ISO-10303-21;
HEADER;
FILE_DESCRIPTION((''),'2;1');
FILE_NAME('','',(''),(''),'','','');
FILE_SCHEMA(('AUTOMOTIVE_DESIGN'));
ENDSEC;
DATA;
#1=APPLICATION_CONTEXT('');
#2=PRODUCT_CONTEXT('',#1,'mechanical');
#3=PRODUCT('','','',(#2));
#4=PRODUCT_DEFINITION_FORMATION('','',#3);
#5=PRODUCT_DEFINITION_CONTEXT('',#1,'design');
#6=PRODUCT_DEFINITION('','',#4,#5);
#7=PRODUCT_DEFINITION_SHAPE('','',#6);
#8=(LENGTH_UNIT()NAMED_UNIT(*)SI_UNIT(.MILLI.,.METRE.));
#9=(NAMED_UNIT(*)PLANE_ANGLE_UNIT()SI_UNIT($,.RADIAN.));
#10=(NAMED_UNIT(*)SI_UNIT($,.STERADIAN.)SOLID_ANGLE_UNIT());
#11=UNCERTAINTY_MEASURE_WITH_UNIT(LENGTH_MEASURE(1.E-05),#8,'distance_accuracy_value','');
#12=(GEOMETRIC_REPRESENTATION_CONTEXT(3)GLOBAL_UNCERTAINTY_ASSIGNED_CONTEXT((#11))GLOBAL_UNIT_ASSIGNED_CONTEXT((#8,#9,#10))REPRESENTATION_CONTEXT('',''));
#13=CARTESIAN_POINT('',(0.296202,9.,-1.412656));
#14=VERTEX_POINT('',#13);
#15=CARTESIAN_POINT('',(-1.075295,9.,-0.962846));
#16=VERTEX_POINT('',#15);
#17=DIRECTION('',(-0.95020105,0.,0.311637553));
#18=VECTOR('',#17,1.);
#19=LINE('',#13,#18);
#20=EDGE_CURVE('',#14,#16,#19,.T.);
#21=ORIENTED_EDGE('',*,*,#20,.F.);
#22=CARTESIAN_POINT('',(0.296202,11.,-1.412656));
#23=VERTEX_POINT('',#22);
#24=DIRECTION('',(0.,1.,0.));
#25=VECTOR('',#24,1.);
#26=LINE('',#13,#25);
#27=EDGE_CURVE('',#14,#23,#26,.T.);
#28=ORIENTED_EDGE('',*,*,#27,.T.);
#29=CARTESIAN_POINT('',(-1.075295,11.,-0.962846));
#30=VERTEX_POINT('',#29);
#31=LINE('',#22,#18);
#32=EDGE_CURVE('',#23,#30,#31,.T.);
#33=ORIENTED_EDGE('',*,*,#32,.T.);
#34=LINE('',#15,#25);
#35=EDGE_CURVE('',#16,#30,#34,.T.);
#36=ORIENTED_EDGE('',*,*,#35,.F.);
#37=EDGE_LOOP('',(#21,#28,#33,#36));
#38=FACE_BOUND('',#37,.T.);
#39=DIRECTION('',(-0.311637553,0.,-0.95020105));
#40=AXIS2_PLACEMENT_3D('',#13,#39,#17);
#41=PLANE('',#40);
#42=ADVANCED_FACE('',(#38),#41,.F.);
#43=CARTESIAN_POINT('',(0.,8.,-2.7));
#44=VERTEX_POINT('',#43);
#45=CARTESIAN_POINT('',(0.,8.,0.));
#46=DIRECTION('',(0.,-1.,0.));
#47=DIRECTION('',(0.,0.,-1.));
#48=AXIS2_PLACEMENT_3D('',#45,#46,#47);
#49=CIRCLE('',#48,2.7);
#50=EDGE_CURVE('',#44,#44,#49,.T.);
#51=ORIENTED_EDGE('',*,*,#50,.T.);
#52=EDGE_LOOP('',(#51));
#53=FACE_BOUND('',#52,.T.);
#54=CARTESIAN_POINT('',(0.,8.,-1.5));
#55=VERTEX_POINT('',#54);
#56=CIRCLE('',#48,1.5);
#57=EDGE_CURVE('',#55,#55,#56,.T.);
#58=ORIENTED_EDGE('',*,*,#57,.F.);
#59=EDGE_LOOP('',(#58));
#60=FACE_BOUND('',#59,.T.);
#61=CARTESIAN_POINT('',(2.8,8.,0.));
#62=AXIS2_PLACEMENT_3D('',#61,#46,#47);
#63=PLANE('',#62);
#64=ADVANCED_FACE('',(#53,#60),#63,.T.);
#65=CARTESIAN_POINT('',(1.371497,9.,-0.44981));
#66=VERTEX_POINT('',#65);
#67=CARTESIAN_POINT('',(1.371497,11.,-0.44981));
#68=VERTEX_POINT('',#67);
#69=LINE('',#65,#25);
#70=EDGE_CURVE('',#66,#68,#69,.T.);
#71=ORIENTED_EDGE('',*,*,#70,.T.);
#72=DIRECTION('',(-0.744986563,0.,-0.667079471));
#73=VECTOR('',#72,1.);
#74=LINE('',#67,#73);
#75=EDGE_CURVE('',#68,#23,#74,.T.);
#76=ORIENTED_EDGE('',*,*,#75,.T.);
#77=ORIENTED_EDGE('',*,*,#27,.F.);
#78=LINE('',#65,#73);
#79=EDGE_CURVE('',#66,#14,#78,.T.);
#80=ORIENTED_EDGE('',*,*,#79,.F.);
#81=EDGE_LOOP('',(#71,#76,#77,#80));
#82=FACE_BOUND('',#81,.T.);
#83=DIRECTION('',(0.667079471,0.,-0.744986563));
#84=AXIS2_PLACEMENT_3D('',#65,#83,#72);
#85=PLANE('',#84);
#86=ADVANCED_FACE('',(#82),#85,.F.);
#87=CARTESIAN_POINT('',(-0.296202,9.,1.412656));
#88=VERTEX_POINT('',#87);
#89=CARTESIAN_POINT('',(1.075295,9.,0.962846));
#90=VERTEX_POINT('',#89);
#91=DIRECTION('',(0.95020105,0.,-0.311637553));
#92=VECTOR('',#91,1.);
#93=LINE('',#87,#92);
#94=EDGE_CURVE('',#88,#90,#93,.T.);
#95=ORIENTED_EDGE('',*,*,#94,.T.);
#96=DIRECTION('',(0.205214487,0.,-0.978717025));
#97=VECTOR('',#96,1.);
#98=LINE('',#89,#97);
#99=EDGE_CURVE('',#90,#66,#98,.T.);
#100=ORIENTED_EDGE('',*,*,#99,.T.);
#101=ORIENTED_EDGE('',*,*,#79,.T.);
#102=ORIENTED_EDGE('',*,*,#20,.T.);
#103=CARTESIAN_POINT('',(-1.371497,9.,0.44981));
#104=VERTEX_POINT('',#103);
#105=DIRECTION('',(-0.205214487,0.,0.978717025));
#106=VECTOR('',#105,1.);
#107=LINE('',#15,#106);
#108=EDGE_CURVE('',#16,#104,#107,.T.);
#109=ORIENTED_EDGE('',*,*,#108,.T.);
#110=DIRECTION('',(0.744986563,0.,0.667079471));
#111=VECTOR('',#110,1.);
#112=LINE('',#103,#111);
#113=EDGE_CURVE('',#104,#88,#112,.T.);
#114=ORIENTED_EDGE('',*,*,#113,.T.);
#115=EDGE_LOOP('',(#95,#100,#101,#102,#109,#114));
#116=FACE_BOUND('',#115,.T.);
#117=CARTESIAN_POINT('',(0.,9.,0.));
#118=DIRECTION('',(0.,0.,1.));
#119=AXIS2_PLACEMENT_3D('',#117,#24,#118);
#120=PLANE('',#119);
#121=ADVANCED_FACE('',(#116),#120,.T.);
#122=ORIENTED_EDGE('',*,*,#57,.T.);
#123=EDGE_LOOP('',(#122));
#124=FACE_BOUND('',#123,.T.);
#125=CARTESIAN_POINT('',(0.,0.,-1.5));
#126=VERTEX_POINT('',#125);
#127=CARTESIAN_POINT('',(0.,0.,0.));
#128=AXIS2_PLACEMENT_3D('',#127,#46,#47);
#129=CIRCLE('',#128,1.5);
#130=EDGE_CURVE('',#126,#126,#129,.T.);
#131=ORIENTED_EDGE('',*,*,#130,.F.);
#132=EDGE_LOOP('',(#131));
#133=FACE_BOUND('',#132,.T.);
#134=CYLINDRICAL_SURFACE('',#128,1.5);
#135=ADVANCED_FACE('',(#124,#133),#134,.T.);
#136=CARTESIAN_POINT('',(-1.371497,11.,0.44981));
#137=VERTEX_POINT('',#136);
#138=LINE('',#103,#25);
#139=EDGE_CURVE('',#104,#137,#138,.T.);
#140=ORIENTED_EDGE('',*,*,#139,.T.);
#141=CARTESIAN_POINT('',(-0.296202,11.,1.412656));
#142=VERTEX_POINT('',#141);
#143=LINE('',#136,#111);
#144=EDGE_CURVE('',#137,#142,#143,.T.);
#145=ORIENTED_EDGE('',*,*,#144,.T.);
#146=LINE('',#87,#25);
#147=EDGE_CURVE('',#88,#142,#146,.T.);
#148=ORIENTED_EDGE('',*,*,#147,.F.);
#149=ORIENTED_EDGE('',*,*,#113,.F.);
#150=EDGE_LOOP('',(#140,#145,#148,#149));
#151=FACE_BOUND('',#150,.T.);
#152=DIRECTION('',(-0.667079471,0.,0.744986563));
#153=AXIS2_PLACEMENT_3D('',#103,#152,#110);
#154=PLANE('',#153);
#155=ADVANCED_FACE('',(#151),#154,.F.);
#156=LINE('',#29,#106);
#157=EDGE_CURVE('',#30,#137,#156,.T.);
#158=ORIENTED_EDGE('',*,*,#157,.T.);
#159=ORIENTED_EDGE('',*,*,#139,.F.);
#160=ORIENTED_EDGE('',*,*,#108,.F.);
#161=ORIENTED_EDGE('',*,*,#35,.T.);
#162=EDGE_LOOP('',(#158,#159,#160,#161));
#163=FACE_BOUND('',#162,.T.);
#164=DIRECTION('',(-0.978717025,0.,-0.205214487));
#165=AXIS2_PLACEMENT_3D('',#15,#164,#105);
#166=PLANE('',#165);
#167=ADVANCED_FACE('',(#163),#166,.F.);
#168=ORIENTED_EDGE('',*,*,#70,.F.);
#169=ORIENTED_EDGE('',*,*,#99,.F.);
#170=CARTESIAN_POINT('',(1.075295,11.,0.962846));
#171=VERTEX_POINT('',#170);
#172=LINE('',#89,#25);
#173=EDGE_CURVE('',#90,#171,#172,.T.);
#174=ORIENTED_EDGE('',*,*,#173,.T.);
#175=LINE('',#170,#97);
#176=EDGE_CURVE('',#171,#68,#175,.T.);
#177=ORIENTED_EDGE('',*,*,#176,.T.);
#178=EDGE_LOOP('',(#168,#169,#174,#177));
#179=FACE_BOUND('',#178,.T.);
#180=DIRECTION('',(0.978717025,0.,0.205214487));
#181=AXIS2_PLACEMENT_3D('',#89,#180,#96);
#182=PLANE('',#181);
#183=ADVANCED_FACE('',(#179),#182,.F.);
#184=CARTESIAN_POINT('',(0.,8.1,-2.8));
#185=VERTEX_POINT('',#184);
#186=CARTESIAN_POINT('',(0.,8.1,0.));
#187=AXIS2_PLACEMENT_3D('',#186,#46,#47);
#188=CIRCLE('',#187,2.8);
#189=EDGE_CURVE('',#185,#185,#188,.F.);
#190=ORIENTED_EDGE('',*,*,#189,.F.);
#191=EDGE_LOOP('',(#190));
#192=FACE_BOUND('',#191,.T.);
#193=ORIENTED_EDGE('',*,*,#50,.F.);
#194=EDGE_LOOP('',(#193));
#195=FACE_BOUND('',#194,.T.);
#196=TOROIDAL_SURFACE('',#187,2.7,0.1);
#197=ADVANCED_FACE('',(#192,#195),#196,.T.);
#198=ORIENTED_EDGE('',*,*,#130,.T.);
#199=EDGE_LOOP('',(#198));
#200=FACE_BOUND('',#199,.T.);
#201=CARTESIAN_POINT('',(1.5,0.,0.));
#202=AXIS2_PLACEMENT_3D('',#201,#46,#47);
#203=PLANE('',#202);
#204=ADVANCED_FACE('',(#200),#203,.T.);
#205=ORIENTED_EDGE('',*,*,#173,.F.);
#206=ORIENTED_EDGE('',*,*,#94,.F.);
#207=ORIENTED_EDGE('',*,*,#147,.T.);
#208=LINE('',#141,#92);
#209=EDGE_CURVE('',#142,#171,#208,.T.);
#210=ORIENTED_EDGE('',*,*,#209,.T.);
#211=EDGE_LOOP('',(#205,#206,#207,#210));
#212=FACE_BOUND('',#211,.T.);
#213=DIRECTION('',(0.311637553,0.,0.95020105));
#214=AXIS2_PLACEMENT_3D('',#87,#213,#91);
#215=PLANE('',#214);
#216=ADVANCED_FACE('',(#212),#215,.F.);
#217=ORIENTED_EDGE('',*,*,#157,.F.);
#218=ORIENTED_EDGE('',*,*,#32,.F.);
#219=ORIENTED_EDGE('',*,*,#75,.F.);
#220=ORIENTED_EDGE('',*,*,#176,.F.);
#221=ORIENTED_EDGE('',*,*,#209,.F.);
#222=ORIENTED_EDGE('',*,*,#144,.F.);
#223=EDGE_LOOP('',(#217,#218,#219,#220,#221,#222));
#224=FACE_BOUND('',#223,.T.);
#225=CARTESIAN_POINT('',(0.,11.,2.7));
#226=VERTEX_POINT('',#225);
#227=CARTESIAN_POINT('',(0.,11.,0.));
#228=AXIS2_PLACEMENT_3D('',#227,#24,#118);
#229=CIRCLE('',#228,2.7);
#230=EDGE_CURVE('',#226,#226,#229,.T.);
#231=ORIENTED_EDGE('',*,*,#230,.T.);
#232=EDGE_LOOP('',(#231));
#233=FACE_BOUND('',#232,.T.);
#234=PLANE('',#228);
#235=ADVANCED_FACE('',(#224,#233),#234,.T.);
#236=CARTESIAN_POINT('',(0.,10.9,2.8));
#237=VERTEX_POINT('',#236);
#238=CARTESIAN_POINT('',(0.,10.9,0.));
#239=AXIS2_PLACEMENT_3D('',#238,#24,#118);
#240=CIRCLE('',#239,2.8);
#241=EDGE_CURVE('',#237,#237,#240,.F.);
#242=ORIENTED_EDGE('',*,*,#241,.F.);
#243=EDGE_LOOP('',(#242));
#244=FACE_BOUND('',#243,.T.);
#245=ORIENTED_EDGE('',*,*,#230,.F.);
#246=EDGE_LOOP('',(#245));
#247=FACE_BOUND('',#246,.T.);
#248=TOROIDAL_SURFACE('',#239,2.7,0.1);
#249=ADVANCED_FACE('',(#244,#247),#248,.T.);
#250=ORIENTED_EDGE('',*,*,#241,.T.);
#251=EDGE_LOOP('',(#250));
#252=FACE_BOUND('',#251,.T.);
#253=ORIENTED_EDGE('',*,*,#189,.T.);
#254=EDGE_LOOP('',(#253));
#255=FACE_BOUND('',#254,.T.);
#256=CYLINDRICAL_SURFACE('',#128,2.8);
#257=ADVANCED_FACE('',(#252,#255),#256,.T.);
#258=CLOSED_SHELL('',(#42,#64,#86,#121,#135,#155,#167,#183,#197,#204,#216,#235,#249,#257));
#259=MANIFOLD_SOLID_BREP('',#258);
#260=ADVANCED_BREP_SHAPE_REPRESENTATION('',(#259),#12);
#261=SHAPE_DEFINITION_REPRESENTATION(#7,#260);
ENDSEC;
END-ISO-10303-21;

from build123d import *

# Parameters (mm, degrees)
CUT_EXTRUDE_1_DEPTH = 2
FILLET_1_R          = 0.1


with BuildPart() as part:
    # 草图1 → 旋转1 (revolve)
    with BuildSketch(Plane.XY, mode=Mode.PRIVATE) as revolve_1_sk:
        Polygon((0, 0), (0, 11), (2.8, 11), (2.8, 8), (1.5, 8), (1.5, 0), align=None)
    revolve(revolve_1_sk.sketch.rotate(Axis((0, 0, 0), (0, 1, 0)), 90), axis=Axis((0, 0, 0), (0, 1, 0)))

    # 草图2 → 切除-拉伸1 (cut)
    with BuildSketch(Plane(origin=(0, 11, 0), x_dir=(1, 0, 0), z_dir=(0, 1, 0))):
        Polygon((1.075295482, -0.962846281), (1.37149708, 0.449810063), (0.296201598, 1.412656344), (-1.075295482, 0.962846281), (-1.37149708, -0.449810063), (-0.296201598, -1.412656344), align=None)
    extrude(amount=-CUT_EXTRUDE_1_DEPTH, mode=Mode.SUBTRACT)

    # 圆角1
    fillet_1_edges = [part.edges().sort_by_distance(p)[0] for p in [
        (0, 8, 2.8),
        (0, 11, 2.8),
    ]]
    fillet(fillet_1_edges, radius=FILLET_1_R)


solid = part.part
